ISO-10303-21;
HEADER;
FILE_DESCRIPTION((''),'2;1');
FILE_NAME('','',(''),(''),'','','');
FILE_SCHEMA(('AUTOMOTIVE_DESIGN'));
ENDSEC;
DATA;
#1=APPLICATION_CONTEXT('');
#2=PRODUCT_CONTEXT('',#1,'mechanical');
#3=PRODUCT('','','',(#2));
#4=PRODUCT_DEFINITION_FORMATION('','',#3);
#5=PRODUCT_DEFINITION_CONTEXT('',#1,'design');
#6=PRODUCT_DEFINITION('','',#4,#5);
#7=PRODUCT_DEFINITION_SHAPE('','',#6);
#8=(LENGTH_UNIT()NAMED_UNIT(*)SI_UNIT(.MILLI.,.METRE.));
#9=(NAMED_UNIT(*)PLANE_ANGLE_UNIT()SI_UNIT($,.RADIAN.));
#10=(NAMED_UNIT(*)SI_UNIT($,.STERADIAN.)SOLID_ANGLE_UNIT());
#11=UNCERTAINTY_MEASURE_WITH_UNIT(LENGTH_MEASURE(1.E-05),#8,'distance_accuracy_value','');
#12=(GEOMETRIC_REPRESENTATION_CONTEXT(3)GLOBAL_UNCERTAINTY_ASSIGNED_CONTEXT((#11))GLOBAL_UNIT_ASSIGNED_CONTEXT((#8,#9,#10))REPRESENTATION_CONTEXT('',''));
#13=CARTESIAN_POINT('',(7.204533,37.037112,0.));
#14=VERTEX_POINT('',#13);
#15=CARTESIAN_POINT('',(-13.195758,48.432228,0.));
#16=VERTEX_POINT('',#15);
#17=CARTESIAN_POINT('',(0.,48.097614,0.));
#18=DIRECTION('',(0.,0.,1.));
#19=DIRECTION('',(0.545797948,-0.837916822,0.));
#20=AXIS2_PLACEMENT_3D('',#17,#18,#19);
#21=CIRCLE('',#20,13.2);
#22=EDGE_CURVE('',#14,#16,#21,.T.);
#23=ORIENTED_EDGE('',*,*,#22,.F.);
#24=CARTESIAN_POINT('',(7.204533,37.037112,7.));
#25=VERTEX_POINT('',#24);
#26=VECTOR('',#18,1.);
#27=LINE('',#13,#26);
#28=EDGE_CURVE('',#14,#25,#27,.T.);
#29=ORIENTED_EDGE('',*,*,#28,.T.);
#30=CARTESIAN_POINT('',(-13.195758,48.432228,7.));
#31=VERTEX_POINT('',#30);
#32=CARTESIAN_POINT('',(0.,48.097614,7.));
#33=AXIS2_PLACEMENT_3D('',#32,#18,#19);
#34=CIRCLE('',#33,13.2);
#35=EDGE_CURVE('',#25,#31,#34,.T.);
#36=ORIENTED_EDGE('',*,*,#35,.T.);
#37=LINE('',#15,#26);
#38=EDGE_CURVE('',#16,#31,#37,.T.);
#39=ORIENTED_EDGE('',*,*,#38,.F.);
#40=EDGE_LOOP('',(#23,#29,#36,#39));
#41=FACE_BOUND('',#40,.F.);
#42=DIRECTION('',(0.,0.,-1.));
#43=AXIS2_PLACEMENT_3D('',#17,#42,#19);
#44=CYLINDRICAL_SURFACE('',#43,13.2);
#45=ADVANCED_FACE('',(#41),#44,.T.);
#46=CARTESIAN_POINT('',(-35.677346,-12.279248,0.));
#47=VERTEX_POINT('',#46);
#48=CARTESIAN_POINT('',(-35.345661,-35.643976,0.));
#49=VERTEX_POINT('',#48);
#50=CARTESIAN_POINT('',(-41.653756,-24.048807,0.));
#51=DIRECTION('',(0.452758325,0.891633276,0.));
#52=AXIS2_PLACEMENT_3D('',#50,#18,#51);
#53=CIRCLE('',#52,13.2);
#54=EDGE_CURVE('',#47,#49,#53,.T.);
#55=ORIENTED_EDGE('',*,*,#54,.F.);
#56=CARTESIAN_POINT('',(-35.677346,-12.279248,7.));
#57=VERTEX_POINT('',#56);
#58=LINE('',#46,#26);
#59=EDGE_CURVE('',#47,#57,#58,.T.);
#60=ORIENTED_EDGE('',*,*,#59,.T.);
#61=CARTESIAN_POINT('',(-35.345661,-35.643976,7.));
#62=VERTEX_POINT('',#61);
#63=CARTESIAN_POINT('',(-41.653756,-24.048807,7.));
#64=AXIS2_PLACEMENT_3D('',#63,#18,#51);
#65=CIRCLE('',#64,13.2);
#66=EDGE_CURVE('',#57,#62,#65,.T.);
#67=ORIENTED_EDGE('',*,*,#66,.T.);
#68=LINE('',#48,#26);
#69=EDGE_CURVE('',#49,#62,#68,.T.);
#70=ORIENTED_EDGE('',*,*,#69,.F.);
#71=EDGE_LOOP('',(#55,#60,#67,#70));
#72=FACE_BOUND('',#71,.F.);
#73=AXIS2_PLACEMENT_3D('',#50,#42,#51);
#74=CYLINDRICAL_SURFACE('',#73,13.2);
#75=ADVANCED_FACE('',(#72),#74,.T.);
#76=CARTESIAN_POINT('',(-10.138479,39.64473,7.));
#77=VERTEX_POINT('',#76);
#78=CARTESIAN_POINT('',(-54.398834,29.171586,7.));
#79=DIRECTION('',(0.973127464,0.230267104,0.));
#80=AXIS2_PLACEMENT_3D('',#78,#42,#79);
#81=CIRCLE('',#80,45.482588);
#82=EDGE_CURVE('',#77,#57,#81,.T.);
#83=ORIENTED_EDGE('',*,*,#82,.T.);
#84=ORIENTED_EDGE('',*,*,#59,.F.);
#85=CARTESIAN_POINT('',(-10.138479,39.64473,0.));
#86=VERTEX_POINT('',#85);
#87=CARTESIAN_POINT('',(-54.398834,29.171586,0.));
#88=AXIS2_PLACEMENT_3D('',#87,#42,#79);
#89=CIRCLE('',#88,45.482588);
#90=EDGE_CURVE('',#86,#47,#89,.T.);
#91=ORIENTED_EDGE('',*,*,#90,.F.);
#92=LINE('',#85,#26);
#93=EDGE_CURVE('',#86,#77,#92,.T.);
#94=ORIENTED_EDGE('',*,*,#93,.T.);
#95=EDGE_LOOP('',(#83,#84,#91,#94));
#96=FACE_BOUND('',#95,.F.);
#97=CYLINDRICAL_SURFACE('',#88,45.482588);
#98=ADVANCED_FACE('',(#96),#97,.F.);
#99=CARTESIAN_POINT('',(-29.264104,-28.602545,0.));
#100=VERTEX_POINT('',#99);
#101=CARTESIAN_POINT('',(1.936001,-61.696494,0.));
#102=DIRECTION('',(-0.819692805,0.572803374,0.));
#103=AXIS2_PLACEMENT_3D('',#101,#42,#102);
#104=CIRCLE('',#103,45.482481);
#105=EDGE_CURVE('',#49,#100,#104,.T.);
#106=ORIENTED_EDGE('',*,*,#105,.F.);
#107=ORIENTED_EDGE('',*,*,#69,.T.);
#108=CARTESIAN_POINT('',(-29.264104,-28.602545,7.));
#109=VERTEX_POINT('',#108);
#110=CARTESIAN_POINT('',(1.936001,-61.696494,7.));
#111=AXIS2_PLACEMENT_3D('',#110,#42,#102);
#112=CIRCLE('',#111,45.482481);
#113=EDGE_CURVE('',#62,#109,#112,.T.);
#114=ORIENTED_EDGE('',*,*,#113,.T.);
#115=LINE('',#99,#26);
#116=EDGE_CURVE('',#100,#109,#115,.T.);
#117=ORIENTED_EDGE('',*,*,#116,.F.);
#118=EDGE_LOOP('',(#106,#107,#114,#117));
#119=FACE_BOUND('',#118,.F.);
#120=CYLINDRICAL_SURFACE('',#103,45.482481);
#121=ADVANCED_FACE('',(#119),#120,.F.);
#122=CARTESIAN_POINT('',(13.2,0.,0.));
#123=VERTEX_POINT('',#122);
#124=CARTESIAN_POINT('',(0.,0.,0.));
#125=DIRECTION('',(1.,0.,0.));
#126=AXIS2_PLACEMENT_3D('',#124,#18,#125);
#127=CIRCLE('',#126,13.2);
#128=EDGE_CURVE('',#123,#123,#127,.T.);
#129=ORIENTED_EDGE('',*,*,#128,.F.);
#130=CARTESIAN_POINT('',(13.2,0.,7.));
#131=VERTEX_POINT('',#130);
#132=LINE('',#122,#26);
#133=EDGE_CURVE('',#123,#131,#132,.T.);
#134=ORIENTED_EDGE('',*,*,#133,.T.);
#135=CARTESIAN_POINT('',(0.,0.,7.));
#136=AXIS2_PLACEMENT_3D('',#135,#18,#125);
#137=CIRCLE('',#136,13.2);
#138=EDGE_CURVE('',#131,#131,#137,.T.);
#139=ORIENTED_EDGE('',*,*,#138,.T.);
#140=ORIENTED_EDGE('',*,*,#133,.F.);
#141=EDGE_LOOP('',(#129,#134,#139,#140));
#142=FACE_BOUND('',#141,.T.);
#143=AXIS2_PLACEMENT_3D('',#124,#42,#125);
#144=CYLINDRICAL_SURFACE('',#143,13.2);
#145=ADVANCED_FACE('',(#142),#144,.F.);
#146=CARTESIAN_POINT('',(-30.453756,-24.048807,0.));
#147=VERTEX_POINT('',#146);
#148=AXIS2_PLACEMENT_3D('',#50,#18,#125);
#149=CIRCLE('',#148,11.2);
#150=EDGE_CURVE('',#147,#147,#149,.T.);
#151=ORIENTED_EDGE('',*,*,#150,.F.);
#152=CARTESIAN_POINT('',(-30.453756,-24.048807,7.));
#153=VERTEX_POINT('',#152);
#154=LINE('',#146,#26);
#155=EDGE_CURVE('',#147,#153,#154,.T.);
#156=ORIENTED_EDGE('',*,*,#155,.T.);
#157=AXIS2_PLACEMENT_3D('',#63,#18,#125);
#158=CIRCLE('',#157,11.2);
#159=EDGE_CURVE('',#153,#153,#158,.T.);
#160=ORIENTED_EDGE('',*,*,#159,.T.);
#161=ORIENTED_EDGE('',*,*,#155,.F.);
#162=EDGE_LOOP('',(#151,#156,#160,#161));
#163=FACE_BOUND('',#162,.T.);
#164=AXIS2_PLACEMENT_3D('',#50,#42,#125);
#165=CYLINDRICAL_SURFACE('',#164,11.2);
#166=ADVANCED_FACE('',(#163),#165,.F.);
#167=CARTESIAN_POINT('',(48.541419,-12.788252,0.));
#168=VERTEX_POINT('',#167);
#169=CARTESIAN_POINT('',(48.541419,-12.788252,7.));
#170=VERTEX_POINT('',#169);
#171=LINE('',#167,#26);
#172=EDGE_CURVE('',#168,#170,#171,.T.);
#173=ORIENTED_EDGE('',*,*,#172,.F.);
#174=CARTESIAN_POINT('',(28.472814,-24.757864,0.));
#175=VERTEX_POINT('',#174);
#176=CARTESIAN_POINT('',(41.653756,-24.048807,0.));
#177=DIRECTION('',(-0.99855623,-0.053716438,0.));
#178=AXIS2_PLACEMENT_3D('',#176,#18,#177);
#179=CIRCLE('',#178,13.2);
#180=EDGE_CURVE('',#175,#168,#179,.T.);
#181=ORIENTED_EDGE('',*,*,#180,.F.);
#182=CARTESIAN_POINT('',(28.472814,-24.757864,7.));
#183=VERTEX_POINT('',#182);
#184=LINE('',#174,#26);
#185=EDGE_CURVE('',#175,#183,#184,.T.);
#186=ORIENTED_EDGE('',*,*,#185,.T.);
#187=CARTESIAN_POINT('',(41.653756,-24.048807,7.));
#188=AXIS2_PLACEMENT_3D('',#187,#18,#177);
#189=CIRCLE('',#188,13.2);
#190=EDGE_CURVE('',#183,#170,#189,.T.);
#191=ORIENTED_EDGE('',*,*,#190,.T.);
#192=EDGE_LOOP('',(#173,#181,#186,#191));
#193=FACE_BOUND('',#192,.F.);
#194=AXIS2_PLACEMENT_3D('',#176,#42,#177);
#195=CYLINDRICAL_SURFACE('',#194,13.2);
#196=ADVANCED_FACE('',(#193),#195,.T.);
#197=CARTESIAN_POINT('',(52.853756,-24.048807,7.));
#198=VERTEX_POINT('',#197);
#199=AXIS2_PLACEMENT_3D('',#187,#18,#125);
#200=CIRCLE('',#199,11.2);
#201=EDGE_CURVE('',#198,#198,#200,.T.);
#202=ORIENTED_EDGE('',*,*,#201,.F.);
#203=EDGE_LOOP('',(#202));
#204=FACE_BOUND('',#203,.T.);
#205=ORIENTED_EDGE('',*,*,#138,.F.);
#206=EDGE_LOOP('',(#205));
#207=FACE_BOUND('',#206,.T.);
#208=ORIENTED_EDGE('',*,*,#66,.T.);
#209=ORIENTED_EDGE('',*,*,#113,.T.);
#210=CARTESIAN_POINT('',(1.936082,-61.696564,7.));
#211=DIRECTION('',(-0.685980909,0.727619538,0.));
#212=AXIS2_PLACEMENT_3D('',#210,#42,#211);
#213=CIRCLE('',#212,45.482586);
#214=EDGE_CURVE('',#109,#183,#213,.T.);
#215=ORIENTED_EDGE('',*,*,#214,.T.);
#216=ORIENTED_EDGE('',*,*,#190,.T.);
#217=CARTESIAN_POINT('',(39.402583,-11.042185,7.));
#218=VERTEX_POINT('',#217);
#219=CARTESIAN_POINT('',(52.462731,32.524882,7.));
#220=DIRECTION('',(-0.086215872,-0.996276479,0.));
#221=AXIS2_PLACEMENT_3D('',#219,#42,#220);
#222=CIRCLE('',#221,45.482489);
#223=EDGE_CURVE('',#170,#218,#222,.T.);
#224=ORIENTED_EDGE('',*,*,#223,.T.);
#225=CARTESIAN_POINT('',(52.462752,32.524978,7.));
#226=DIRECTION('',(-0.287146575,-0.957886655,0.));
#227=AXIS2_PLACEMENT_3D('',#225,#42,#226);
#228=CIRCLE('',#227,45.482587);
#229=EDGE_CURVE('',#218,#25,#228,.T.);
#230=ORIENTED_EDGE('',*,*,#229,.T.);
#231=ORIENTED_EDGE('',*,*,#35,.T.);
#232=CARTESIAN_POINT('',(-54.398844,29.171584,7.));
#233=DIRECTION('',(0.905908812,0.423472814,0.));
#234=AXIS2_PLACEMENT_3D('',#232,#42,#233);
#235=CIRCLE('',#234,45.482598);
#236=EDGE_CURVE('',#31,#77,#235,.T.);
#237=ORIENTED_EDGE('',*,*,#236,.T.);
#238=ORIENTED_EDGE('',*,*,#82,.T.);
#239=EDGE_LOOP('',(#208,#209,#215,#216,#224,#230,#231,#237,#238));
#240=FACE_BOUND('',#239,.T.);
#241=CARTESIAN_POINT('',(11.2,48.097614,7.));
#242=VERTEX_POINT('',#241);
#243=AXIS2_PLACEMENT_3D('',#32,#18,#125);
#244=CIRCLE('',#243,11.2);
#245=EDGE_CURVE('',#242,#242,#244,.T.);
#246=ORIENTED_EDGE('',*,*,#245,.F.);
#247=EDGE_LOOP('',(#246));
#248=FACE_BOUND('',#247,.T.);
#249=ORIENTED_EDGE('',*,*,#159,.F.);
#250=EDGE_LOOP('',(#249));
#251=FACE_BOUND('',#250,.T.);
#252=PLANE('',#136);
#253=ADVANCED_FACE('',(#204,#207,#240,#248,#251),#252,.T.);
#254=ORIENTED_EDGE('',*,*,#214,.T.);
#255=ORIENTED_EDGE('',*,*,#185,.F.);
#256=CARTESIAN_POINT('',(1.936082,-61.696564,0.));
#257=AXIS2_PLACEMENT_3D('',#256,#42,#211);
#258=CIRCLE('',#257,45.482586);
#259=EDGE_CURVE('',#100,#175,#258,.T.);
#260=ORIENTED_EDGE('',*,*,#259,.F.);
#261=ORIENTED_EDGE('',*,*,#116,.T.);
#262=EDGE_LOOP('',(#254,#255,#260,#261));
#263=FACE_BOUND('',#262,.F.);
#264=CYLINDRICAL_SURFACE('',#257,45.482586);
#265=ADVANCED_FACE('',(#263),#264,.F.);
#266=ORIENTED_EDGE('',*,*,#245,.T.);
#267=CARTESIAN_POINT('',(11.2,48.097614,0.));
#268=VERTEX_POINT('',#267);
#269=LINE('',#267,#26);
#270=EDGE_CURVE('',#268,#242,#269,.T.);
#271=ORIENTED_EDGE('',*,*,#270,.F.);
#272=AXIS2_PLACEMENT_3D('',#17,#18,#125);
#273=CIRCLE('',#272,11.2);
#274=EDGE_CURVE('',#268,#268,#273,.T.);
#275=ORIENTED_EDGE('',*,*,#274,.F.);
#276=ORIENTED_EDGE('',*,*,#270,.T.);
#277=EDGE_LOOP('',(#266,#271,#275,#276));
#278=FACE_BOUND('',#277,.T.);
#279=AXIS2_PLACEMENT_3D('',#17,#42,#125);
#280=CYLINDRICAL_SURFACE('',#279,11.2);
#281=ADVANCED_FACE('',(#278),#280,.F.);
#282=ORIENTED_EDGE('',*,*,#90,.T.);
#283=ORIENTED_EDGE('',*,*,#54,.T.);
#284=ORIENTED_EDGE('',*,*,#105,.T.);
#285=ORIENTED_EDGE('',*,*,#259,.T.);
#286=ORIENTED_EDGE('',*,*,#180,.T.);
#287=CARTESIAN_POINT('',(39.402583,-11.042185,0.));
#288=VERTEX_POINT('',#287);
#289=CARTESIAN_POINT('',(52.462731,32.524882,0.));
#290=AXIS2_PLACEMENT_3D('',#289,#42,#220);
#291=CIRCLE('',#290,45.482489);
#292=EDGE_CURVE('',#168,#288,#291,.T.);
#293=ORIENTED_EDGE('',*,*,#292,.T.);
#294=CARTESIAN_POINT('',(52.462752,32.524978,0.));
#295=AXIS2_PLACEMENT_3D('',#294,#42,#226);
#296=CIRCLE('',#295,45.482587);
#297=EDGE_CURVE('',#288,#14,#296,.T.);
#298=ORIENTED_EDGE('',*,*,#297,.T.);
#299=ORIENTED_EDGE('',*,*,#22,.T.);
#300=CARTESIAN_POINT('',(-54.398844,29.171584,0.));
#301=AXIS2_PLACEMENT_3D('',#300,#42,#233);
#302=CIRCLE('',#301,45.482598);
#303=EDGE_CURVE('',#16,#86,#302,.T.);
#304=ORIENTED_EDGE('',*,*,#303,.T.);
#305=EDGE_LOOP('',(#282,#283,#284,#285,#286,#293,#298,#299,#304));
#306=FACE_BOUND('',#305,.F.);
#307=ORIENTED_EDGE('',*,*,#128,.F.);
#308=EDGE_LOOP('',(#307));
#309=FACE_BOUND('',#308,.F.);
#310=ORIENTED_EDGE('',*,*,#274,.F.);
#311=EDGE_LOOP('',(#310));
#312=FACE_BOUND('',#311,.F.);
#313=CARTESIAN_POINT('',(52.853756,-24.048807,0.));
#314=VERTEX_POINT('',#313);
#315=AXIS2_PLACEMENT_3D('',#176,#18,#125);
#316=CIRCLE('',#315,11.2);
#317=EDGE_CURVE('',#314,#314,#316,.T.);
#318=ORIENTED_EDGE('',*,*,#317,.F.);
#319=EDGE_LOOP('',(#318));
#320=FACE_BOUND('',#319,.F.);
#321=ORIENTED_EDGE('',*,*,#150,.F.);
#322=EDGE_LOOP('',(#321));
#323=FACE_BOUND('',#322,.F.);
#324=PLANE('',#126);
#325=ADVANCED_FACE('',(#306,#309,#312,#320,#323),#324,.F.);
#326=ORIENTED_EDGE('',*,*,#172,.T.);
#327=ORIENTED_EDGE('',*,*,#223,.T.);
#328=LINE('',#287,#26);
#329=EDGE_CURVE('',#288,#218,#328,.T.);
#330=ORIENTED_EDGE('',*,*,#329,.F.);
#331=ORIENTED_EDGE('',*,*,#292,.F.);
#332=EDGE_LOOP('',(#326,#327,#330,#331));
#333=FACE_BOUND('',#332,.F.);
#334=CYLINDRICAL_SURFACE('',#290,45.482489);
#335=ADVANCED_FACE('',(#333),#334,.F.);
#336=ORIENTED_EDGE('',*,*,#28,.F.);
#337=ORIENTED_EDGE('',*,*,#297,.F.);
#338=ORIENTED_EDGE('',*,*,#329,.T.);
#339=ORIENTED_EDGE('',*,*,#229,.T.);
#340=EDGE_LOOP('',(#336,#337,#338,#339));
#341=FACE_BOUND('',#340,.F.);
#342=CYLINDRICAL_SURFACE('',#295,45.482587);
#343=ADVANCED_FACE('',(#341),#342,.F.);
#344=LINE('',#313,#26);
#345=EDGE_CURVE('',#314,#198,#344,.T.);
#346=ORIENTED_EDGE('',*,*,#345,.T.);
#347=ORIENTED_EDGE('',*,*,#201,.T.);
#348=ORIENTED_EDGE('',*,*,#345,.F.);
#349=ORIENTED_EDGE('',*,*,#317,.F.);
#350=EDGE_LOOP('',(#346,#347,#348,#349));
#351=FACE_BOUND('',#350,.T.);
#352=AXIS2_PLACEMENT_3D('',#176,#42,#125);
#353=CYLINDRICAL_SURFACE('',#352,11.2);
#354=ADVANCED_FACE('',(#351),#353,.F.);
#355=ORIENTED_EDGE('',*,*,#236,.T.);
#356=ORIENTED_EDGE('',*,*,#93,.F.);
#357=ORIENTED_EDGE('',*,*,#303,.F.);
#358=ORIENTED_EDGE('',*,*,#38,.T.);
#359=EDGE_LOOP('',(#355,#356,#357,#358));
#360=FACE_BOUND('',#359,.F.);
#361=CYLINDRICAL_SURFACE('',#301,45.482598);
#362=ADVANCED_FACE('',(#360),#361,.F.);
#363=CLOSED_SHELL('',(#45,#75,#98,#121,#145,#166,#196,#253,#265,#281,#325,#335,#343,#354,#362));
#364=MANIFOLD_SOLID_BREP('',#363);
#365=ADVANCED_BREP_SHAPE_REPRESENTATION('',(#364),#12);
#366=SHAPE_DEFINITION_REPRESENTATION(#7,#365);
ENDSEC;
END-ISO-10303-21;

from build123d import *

# Parameters (mm, degrees)
F0_R     = 11.2
F0_R_2   = 13.2
F1_DEPTH = 7


with BuildPart() as f1:
    # F0 (on Top) → F1 (new body)
    with BuildSketch(Plane.XY):
        with BuildLine():
            ThreePointArc((39.402583, -11.042185), (14.671704, 7.216829), (7.204533, 37.037112))
            ThreePointArc((7.204533, 37.037112), (6.437069, 59.621682), (-13.195758, 48.432228))
            ThreePointArc((-13.195758, 48.432228), (-11.441826, 44.116861), (-10.138479, 39.64473))
            ThreePointArc((-10.138479, 39.64473), (-13.585809, 9.097654), (-35.677346, -12.279248))
            ThreePointArc((-35.677346, -12.279248), (-54.852426, -24.236175), (-35.345661, -35.643976))
            ThreePointArc((-35.345661, -35.643976), (-32.48541, -31.967342), (-29.264104, -28.602545))
            ThreePointArc((-29.264104, -28.602545), (-1.085895, -16.314482), (28.472814, -24.757864))
            ThreePointArc((28.472814, -24.757864), (48.415356, -35.385507), (48.541419, -12.788252))
            ThreePointArc((48.541419, -12.788252), (43.927235, -12.149519), (39.402583, -11.042185))
        make_face()
        with Locations((-41.653756, -24.048807)):
            Circle(F0_R, mode=Mode.SUBTRACT)
        with Locations((41.653756, -24.048807)):
            Circle(F0_R, mode=Mode.SUBTRACT)
        Circle(F0_R_2, mode=Mode.SUBTRACT)
        with Locations((0, 48.097614)):
            Circle(F0_R, mode=Mode.SUBTRACT)
    extrude(amount=F1_DEPTH)


solid = f1.part
